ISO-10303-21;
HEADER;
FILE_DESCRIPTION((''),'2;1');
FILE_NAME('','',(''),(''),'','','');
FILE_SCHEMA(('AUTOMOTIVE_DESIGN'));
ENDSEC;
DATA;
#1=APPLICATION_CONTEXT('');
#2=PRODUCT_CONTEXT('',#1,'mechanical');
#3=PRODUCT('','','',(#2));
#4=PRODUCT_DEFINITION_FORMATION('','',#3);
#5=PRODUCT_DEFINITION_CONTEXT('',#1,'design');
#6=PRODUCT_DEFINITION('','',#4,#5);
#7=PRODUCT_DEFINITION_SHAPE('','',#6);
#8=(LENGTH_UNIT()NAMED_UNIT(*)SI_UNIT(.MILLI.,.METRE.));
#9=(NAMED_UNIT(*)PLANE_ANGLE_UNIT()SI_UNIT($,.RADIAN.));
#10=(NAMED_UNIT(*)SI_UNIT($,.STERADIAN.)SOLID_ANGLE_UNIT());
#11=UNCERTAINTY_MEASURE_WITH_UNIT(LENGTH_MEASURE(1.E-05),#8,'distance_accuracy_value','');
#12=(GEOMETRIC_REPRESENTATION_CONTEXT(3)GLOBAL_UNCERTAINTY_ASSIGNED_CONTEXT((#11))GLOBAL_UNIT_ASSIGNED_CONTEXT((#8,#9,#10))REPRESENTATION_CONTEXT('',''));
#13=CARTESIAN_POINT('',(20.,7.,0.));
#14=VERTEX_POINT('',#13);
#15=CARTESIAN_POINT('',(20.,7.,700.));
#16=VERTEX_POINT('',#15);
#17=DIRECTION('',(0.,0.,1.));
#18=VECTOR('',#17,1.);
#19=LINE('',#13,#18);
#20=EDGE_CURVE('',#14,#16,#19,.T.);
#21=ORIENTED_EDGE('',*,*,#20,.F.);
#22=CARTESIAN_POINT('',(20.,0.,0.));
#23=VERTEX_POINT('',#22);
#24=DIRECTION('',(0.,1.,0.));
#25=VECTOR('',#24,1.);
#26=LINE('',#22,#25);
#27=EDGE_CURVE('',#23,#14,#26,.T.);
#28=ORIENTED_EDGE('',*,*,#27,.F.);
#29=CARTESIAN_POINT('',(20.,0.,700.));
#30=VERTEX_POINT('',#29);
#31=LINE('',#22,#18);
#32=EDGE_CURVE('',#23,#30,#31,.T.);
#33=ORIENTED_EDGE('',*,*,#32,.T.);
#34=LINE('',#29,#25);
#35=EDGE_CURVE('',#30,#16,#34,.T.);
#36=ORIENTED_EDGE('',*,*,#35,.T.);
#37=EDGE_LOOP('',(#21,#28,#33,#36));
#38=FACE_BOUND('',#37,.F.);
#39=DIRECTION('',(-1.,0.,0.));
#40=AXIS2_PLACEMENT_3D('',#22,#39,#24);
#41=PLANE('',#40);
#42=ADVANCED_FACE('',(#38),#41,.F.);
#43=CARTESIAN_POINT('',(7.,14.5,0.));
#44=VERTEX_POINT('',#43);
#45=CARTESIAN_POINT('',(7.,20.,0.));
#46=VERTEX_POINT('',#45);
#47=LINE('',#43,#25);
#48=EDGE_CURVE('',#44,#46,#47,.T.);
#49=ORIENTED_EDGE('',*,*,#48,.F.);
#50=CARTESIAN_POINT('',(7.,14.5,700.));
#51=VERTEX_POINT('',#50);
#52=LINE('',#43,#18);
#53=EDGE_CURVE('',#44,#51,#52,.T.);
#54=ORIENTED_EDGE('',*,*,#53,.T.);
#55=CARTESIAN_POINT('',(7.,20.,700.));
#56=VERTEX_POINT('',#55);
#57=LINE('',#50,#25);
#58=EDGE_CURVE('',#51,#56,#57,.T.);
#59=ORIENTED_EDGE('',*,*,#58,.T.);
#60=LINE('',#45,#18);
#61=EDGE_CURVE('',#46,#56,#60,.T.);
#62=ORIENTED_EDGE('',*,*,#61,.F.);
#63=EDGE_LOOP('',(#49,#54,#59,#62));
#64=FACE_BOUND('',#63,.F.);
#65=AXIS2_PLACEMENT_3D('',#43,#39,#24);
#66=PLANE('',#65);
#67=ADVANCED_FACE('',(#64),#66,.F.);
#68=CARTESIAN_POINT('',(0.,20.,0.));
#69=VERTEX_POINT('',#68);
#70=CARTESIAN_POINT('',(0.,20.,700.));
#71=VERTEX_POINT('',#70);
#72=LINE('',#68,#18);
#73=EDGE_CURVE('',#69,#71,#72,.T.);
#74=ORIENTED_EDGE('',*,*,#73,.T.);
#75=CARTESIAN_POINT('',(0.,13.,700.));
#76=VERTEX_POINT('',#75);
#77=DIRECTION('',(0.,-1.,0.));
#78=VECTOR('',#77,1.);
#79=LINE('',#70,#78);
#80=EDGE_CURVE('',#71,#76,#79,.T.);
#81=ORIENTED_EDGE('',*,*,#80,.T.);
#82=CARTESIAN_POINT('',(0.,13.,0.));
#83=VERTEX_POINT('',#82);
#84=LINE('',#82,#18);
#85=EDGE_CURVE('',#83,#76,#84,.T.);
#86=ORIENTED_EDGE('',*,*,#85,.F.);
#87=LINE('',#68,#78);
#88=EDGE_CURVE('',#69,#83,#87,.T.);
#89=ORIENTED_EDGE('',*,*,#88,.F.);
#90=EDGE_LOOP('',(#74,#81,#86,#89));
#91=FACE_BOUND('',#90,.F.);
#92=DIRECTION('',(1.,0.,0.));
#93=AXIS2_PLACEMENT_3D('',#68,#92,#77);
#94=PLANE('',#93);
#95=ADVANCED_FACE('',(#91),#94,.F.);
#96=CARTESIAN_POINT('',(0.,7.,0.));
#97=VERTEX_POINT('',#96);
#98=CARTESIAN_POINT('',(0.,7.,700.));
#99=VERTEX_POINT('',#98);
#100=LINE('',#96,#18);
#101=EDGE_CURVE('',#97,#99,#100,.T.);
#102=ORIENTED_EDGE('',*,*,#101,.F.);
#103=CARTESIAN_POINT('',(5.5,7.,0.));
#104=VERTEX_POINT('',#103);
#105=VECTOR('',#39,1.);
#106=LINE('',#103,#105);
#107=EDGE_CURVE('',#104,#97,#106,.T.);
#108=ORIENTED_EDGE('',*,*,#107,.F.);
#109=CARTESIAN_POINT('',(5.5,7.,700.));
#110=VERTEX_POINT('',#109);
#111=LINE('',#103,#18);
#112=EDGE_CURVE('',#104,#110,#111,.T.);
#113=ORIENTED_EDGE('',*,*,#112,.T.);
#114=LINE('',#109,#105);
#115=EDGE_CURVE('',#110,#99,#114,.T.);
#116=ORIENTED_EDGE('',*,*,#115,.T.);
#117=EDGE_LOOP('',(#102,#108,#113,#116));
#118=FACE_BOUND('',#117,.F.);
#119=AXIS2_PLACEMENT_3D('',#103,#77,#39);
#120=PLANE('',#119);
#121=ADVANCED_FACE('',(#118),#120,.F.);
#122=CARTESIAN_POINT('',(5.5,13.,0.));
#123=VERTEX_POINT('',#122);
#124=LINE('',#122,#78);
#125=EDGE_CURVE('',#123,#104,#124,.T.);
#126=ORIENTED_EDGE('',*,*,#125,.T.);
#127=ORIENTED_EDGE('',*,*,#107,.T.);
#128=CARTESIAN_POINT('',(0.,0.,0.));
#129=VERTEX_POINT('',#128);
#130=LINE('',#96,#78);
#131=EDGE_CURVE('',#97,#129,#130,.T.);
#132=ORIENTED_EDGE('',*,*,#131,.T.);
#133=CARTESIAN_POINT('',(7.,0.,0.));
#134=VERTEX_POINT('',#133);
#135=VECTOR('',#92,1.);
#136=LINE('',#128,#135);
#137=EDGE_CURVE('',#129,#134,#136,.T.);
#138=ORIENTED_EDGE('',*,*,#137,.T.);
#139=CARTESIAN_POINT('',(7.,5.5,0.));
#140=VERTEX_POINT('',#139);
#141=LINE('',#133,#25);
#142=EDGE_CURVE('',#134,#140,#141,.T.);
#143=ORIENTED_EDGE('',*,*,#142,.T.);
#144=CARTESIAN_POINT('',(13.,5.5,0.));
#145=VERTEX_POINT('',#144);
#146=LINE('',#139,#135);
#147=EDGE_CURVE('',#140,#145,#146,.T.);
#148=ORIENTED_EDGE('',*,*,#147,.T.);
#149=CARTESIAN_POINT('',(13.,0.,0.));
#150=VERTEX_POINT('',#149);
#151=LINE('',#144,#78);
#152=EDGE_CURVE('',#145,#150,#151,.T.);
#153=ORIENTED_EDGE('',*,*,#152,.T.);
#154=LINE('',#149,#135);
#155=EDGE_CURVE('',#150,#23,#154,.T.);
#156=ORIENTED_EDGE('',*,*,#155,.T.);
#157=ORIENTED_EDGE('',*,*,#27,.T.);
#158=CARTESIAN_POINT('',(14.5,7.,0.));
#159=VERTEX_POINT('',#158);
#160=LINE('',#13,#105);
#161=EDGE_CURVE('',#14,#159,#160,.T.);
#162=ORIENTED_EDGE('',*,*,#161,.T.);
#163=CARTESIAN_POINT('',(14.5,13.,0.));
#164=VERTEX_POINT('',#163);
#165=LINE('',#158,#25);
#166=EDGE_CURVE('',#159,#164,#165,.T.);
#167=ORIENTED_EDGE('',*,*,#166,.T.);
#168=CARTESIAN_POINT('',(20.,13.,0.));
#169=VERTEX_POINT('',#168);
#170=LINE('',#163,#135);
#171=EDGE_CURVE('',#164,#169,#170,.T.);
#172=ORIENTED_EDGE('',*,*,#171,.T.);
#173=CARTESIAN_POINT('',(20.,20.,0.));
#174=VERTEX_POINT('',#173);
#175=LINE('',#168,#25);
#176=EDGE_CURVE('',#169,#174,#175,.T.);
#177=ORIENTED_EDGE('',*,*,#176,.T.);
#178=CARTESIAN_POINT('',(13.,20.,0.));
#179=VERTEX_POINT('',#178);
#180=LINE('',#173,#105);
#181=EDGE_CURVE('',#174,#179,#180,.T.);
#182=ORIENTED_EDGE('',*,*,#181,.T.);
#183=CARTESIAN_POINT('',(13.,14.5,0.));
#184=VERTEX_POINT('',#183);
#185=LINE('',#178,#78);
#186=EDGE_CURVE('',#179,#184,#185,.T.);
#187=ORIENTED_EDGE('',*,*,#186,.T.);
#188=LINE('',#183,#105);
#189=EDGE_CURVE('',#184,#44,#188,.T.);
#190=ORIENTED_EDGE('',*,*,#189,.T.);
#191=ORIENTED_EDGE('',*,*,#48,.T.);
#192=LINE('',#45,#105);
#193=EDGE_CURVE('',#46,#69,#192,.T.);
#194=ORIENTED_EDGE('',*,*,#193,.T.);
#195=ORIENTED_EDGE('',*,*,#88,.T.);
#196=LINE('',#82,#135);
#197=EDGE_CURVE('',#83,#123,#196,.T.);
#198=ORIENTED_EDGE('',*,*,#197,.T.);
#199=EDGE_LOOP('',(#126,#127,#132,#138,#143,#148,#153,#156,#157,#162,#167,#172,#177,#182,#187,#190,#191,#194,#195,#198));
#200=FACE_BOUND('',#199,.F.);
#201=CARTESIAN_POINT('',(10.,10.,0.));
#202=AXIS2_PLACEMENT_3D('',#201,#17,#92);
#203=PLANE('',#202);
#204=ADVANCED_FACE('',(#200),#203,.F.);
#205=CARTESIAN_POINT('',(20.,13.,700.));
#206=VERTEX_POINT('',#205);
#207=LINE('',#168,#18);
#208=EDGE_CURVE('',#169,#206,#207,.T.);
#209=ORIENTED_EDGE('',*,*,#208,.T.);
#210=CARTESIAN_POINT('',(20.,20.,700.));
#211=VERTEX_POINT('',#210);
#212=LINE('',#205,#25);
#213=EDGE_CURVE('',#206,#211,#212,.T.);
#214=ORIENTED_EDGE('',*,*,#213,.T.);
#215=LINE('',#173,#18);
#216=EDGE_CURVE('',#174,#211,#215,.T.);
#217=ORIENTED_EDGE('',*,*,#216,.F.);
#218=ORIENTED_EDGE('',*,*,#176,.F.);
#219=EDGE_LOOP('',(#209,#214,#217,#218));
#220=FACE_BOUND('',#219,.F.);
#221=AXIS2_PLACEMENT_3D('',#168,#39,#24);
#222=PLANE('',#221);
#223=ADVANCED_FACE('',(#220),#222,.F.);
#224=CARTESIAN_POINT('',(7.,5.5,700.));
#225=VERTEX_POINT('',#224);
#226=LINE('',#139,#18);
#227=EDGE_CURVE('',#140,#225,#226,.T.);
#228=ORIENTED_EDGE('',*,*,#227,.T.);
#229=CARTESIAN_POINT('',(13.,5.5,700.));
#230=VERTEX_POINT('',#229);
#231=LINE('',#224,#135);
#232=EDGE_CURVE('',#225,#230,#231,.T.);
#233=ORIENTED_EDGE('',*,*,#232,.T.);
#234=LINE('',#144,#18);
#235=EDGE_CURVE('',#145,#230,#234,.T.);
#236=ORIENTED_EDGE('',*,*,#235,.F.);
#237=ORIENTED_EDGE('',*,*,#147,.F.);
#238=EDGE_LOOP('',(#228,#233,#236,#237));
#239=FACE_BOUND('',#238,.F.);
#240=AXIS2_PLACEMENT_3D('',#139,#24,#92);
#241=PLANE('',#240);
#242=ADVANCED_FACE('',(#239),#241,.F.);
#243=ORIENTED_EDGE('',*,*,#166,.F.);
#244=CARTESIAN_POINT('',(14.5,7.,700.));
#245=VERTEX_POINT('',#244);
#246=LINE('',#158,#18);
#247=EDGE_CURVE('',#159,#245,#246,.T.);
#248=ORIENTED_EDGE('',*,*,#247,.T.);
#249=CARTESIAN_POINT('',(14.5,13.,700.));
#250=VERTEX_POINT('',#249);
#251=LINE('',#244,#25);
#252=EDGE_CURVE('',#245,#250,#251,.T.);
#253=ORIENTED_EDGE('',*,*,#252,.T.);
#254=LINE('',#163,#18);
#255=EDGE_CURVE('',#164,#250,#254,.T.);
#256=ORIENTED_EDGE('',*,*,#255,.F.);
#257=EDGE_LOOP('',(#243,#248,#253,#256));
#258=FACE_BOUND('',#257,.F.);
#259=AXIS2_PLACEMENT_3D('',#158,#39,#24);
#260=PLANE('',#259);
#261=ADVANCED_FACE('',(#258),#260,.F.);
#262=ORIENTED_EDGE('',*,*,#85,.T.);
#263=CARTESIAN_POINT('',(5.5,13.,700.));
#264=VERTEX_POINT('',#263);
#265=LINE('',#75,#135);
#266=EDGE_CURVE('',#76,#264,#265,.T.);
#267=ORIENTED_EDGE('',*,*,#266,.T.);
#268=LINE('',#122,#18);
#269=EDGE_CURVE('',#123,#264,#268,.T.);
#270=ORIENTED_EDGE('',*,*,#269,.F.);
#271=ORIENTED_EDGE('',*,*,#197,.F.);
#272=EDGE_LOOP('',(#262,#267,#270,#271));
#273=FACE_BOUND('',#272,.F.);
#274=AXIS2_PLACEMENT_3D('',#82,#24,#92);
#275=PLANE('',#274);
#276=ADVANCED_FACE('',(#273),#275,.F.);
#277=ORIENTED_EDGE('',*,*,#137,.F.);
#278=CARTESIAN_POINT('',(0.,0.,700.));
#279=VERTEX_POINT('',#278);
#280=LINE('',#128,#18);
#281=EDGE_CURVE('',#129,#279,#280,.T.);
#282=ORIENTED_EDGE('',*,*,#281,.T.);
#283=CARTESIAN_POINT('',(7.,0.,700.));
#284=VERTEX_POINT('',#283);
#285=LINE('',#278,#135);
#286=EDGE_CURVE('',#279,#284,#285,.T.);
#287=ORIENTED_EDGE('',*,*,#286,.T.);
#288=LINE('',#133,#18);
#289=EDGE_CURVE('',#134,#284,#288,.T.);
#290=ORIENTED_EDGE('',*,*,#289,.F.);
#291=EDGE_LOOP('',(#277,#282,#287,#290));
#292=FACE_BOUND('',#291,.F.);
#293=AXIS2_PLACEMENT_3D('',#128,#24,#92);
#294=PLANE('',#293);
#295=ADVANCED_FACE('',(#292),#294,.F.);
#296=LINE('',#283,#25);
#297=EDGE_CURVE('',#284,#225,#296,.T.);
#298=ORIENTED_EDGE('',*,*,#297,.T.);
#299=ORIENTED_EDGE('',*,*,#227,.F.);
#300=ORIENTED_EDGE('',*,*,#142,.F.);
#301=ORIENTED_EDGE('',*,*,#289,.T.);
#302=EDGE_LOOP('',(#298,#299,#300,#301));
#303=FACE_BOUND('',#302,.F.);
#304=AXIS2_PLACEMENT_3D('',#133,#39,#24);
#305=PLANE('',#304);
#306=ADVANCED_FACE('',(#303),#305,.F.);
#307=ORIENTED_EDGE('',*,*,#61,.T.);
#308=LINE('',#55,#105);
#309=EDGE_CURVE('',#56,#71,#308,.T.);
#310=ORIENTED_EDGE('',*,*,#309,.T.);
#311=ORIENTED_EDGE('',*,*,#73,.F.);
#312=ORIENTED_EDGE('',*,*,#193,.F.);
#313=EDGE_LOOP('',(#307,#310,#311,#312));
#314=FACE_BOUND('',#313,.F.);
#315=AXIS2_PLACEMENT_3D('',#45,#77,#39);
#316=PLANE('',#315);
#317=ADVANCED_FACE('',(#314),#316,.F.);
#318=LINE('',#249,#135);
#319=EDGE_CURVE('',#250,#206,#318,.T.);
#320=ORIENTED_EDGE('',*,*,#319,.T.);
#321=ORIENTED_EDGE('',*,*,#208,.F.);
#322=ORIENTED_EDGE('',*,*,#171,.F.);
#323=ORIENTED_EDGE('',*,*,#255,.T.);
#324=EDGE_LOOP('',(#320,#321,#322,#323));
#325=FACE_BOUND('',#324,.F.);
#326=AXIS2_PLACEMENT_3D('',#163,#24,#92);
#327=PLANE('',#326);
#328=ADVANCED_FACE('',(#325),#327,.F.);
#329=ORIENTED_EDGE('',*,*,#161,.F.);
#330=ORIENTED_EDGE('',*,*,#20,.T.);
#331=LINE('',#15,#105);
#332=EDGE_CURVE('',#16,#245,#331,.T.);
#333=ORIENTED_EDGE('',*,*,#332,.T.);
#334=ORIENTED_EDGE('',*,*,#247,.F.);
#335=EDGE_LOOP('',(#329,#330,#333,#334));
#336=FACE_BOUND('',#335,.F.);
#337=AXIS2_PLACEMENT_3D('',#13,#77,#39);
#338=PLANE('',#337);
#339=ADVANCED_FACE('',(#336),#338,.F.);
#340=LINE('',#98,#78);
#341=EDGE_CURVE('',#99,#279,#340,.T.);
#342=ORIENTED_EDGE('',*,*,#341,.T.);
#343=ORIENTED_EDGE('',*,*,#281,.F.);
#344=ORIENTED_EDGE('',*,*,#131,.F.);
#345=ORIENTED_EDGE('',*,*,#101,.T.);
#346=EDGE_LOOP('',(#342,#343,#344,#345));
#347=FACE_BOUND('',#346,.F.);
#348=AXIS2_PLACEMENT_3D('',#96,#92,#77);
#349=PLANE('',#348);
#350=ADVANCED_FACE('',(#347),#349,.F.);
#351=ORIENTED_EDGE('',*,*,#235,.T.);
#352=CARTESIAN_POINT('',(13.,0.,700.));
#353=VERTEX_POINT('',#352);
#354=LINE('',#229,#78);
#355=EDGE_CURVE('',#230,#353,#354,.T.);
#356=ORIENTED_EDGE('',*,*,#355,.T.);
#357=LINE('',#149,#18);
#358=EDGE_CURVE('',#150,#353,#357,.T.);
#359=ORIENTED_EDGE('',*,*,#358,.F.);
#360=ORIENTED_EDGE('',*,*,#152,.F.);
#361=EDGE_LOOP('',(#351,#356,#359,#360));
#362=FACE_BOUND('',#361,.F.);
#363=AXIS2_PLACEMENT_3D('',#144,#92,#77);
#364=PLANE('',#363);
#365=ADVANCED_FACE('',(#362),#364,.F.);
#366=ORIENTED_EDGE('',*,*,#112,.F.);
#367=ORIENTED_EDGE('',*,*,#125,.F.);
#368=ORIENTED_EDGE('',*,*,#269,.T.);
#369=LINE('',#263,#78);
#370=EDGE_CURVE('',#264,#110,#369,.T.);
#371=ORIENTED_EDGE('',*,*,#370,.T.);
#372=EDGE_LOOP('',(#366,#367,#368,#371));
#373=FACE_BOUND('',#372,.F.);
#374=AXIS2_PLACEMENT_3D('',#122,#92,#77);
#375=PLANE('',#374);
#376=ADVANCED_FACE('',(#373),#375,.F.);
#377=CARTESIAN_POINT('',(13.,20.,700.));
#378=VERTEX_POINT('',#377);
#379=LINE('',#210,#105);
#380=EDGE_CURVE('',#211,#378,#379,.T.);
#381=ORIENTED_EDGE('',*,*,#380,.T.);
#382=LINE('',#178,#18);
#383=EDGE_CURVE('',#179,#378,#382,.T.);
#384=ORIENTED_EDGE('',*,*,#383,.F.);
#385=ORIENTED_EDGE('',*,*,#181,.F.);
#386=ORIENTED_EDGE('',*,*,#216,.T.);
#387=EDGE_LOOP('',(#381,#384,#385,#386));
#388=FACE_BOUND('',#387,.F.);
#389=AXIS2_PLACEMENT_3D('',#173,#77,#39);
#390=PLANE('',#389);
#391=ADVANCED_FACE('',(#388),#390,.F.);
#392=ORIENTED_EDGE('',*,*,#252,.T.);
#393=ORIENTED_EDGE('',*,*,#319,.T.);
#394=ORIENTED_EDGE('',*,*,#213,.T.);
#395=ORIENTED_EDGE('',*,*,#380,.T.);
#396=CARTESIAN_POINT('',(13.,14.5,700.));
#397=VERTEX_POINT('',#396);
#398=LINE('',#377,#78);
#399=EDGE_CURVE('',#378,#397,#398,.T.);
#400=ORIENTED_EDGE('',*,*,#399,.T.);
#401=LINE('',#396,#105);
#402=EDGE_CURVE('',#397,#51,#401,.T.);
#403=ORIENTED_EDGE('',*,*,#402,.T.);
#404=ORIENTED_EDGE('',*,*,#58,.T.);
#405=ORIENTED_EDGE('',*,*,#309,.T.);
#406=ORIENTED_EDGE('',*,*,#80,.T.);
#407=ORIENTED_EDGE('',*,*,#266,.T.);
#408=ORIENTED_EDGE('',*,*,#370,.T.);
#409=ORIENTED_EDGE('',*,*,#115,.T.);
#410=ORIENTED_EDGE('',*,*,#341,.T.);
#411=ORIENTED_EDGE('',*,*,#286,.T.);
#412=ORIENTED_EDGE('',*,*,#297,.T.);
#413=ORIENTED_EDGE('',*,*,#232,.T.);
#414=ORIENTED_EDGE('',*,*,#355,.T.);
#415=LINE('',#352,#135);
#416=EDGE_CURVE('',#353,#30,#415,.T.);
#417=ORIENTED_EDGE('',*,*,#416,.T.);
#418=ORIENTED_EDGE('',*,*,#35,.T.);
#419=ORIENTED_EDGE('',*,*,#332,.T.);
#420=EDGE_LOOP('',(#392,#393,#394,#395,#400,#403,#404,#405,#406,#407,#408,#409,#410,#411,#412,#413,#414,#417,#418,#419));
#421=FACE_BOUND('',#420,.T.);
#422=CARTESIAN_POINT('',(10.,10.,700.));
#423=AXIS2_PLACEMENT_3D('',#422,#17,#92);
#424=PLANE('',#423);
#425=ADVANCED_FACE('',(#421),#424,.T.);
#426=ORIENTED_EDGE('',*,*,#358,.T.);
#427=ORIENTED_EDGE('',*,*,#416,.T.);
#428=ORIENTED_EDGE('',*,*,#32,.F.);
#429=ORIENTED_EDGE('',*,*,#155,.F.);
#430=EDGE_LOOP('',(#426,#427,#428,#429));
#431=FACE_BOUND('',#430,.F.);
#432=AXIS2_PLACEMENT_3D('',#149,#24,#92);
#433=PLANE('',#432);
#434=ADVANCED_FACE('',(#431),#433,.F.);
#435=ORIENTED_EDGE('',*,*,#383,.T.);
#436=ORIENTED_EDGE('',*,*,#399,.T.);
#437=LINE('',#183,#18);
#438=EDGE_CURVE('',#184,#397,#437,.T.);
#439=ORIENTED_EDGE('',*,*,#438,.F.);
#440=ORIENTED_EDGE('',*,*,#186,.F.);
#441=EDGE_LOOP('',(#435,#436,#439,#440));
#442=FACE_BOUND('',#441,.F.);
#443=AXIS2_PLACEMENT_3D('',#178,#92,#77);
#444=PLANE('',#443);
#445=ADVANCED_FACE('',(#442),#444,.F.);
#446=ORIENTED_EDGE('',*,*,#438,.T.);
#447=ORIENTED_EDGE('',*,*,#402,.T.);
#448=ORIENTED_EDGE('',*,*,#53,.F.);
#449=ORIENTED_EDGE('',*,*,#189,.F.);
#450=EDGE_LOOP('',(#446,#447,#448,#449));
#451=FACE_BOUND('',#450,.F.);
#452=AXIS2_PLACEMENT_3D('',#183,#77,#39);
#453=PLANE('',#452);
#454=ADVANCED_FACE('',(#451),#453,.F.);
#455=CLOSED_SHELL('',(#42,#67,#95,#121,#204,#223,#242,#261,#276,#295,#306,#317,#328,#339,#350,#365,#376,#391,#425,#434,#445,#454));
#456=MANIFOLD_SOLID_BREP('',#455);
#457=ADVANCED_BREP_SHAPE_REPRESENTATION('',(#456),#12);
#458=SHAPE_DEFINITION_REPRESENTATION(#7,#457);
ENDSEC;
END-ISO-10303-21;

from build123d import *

# Parameters (mm, degrees)
F1_DEPTH = 700


with BuildPart() as f1:
    # F0 (on Top) → F1 (new body)
    with BuildSketch(Plane.XY):
        Polygon((0, 7), (0, 0), (7, 0), (7, 5.5), (13, 5.5), (13, 0), (20, 0), (20, 7), (14.5, 7), (14.5, 13), (20, 13), (20, 20), (13, 20), (13, 14.5), (7, 14.5), (7, 20), (0, 20), (0, 13), (5.5, 13), (5.5, 7), align=None)
    extrude(amount=F1_DEPTH)


solid = f1.part
